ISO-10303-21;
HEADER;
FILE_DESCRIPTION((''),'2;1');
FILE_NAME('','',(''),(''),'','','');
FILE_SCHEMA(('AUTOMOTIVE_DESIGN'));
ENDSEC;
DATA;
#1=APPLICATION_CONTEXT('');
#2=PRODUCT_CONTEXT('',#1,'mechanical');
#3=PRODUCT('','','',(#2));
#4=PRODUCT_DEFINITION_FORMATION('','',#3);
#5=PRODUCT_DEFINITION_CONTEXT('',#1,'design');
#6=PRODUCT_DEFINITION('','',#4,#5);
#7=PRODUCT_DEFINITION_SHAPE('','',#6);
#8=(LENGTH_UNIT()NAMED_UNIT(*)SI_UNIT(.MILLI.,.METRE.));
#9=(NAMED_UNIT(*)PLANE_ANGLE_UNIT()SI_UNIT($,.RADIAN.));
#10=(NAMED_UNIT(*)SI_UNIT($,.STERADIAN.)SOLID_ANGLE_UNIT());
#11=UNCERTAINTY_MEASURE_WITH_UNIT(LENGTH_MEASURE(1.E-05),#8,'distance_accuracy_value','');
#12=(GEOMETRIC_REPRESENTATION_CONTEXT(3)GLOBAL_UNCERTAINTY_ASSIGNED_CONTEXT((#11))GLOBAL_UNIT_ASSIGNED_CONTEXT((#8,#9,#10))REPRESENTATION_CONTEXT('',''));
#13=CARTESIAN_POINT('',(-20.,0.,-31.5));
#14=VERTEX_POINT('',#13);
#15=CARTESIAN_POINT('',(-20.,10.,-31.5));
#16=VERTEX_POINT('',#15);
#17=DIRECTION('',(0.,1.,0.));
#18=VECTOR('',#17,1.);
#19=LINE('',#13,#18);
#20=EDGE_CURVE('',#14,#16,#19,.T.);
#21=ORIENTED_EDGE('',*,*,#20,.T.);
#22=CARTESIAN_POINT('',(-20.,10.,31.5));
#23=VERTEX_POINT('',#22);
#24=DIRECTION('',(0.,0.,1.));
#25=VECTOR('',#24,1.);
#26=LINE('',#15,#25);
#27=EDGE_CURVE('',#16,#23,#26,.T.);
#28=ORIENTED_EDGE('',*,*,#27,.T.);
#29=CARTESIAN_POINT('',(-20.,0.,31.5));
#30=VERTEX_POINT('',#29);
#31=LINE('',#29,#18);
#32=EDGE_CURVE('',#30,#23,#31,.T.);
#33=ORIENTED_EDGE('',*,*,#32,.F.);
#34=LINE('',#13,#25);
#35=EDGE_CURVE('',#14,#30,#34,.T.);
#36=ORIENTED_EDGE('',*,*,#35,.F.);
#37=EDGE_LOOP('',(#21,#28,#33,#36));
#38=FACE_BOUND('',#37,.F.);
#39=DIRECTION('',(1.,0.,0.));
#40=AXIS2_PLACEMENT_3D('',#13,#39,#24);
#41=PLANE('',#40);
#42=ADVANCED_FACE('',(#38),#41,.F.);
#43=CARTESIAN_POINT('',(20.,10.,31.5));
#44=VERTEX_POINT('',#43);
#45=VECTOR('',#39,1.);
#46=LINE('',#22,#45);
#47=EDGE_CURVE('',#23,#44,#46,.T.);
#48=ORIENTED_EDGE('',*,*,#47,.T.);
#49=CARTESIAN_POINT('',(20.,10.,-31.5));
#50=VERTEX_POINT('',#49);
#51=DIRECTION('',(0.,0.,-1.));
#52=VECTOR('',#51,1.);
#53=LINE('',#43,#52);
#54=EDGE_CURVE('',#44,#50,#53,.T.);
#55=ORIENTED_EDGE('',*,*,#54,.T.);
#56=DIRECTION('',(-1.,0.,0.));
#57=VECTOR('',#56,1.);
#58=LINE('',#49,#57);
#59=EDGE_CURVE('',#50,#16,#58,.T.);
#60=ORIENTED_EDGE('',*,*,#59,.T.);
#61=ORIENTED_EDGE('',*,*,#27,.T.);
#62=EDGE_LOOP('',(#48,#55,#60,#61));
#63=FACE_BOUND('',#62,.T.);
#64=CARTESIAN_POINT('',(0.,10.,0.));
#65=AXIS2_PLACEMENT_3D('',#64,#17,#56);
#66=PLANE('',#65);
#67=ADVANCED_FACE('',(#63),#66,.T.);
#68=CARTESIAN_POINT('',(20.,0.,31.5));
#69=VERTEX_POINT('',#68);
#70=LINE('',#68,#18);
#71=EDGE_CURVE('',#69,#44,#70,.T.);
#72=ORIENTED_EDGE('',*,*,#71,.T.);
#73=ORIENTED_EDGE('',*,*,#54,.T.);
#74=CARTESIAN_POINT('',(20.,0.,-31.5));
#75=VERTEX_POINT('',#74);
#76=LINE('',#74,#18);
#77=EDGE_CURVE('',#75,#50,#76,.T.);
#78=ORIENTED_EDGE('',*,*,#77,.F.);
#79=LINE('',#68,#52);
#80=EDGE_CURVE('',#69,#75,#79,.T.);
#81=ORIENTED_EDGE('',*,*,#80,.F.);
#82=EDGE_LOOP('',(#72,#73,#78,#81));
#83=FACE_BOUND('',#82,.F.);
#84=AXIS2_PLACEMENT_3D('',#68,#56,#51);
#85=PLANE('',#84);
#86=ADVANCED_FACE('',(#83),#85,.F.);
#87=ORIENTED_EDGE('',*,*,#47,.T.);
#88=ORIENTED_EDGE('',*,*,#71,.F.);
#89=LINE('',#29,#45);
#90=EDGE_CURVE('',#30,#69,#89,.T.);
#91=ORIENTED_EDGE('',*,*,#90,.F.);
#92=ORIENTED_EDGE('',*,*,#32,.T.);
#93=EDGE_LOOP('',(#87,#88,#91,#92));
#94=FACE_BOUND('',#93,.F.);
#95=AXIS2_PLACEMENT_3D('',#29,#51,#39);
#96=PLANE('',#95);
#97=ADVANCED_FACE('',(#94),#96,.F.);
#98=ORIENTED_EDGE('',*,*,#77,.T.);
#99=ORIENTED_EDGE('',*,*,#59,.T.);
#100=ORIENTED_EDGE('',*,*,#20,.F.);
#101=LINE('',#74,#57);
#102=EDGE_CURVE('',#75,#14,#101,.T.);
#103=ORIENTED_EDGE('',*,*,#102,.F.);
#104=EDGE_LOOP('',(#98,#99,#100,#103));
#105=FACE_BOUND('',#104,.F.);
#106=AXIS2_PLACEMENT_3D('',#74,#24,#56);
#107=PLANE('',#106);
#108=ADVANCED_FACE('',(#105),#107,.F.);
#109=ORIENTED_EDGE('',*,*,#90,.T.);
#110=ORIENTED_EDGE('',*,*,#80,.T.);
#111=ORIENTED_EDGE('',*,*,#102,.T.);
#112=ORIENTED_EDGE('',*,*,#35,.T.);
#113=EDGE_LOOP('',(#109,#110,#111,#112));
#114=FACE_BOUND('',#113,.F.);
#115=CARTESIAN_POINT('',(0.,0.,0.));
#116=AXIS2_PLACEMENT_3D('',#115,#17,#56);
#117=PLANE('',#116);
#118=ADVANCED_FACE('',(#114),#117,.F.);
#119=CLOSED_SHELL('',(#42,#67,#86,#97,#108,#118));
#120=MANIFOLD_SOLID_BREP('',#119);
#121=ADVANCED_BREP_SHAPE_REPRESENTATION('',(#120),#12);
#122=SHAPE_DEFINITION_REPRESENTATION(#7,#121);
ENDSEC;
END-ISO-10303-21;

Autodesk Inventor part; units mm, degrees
ref_plane "YZ Plane" through (0, 0, 0) normal (1, 0, 0) x (0, 1, 0)
ref_plane "XZ Plane" through (0, 0, 0) normal (0, 1, 0) x (-1, 0, 0)
ref_plane "XY Plane" through (0, 0, 0) normal (0, 0, 1) x (1, 0, 0)
sketch "Sketch1" plane through (0, 0, 0) normal (0, 1, 0) x (-1, 0, 0)
  line L0 (20, 31.5) -> (-20, 31.5)
  line L1 (-20, 31.5) -> (-20, -31.5)
  line L2 (-20, -31.5) -> (20, -31.5)
  line L3 (20, -31.5) -> (20, 31.5)
  point P0 (0, 0)
  dimension "d0" = 63
  dimension "d1" = 31.5
  dimension "d2" = 40
  dimension "d3" = 20
extrude "Extrusion1" add sketch "Sketch1" along normal blind 10
equation "\"d1\" = 0.5 * d0"
equation "\"d3\" = 0.5 * d2"
properties part number "trussSeparator"
